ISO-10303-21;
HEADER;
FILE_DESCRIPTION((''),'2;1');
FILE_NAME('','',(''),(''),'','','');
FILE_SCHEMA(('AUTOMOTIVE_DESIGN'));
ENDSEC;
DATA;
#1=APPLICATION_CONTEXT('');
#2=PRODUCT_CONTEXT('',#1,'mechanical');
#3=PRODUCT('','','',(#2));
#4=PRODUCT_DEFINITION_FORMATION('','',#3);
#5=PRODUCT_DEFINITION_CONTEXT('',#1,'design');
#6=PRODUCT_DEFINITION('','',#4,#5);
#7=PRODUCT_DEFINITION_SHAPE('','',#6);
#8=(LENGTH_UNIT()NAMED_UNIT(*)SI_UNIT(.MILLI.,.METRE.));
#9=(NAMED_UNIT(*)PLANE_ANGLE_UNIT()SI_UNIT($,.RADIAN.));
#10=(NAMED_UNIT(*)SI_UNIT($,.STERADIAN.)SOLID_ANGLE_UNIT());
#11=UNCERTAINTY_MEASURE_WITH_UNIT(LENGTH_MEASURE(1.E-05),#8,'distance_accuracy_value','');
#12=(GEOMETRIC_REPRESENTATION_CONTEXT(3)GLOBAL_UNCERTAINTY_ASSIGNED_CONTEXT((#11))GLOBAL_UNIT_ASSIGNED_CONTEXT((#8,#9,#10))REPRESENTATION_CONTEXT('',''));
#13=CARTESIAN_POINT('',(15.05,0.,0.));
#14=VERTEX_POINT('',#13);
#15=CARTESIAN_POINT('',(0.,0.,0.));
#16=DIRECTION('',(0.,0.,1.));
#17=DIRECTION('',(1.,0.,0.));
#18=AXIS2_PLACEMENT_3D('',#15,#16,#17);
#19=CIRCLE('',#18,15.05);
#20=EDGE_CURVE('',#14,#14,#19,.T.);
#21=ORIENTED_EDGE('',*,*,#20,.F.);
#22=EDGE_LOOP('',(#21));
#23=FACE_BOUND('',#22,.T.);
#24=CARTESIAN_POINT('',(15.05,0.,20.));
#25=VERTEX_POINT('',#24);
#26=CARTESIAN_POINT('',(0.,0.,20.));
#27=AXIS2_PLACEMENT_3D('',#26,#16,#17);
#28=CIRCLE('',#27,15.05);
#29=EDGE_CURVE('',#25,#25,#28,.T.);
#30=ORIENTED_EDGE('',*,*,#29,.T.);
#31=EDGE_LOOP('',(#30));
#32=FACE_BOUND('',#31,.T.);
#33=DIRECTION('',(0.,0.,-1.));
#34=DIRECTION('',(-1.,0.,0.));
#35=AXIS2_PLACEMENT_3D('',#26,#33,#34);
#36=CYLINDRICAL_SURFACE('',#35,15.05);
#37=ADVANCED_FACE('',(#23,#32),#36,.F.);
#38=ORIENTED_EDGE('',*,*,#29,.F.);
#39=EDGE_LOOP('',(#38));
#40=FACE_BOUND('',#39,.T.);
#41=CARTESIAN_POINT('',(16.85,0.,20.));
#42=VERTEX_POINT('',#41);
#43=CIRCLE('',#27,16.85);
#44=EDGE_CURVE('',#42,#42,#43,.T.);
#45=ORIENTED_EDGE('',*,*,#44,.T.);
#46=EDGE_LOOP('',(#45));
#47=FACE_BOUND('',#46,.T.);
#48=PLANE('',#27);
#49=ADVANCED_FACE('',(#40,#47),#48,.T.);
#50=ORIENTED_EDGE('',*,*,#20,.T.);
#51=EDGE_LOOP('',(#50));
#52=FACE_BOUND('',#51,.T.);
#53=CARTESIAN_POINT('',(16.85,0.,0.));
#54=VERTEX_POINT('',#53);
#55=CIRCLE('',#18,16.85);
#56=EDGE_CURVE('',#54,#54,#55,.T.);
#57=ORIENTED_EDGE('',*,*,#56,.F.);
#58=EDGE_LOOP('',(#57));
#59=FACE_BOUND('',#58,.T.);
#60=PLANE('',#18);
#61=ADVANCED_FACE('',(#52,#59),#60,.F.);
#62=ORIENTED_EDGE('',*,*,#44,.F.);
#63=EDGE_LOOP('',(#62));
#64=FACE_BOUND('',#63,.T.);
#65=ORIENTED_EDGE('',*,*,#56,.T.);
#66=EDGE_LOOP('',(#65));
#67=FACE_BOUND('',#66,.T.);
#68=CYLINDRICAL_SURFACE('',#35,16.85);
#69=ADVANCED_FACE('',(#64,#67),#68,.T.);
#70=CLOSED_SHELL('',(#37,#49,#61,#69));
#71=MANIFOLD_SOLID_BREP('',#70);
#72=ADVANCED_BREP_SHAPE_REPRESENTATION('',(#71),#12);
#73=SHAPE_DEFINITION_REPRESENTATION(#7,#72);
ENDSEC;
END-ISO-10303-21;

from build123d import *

# Parameters (mm, degrees)
SKETCH1_R           = 17
SKETCH1_R_2         = 15
BOSS_EXTRUDE1_DEPTH = 20
MOVE_FACE1_BY       = 0.15
MOVE_FACE2_BY       = 0.05


with BuildPart() as part:
    # Sketch1 → Boss-Extrude1 (new body)
    with BuildSketch(Plane.XY):
        Circle(SKETCH1_R)
        Circle(SKETCH1_R_2, mode=Mode.SUBTRACT)
    extrude(amount=BOSS_EXTRUDE1_DEPTH)

    # Move Face1: a curved face moved inward by 0.15
    add(Solid.thicken(part.faces().sort_by_distance((-17, 0, 10))[0], -MOVE_FACE1_BY), mode=Mode.SUBTRACT)

    # Move Face2: a curved face moved inward by 0.05
    add(Solid.thicken(part.faces().sort_by_distance((-15, 0, 10))[0], -MOVE_FACE2_BY), mode=Mode.SUBTRACT)


solid = part.part
